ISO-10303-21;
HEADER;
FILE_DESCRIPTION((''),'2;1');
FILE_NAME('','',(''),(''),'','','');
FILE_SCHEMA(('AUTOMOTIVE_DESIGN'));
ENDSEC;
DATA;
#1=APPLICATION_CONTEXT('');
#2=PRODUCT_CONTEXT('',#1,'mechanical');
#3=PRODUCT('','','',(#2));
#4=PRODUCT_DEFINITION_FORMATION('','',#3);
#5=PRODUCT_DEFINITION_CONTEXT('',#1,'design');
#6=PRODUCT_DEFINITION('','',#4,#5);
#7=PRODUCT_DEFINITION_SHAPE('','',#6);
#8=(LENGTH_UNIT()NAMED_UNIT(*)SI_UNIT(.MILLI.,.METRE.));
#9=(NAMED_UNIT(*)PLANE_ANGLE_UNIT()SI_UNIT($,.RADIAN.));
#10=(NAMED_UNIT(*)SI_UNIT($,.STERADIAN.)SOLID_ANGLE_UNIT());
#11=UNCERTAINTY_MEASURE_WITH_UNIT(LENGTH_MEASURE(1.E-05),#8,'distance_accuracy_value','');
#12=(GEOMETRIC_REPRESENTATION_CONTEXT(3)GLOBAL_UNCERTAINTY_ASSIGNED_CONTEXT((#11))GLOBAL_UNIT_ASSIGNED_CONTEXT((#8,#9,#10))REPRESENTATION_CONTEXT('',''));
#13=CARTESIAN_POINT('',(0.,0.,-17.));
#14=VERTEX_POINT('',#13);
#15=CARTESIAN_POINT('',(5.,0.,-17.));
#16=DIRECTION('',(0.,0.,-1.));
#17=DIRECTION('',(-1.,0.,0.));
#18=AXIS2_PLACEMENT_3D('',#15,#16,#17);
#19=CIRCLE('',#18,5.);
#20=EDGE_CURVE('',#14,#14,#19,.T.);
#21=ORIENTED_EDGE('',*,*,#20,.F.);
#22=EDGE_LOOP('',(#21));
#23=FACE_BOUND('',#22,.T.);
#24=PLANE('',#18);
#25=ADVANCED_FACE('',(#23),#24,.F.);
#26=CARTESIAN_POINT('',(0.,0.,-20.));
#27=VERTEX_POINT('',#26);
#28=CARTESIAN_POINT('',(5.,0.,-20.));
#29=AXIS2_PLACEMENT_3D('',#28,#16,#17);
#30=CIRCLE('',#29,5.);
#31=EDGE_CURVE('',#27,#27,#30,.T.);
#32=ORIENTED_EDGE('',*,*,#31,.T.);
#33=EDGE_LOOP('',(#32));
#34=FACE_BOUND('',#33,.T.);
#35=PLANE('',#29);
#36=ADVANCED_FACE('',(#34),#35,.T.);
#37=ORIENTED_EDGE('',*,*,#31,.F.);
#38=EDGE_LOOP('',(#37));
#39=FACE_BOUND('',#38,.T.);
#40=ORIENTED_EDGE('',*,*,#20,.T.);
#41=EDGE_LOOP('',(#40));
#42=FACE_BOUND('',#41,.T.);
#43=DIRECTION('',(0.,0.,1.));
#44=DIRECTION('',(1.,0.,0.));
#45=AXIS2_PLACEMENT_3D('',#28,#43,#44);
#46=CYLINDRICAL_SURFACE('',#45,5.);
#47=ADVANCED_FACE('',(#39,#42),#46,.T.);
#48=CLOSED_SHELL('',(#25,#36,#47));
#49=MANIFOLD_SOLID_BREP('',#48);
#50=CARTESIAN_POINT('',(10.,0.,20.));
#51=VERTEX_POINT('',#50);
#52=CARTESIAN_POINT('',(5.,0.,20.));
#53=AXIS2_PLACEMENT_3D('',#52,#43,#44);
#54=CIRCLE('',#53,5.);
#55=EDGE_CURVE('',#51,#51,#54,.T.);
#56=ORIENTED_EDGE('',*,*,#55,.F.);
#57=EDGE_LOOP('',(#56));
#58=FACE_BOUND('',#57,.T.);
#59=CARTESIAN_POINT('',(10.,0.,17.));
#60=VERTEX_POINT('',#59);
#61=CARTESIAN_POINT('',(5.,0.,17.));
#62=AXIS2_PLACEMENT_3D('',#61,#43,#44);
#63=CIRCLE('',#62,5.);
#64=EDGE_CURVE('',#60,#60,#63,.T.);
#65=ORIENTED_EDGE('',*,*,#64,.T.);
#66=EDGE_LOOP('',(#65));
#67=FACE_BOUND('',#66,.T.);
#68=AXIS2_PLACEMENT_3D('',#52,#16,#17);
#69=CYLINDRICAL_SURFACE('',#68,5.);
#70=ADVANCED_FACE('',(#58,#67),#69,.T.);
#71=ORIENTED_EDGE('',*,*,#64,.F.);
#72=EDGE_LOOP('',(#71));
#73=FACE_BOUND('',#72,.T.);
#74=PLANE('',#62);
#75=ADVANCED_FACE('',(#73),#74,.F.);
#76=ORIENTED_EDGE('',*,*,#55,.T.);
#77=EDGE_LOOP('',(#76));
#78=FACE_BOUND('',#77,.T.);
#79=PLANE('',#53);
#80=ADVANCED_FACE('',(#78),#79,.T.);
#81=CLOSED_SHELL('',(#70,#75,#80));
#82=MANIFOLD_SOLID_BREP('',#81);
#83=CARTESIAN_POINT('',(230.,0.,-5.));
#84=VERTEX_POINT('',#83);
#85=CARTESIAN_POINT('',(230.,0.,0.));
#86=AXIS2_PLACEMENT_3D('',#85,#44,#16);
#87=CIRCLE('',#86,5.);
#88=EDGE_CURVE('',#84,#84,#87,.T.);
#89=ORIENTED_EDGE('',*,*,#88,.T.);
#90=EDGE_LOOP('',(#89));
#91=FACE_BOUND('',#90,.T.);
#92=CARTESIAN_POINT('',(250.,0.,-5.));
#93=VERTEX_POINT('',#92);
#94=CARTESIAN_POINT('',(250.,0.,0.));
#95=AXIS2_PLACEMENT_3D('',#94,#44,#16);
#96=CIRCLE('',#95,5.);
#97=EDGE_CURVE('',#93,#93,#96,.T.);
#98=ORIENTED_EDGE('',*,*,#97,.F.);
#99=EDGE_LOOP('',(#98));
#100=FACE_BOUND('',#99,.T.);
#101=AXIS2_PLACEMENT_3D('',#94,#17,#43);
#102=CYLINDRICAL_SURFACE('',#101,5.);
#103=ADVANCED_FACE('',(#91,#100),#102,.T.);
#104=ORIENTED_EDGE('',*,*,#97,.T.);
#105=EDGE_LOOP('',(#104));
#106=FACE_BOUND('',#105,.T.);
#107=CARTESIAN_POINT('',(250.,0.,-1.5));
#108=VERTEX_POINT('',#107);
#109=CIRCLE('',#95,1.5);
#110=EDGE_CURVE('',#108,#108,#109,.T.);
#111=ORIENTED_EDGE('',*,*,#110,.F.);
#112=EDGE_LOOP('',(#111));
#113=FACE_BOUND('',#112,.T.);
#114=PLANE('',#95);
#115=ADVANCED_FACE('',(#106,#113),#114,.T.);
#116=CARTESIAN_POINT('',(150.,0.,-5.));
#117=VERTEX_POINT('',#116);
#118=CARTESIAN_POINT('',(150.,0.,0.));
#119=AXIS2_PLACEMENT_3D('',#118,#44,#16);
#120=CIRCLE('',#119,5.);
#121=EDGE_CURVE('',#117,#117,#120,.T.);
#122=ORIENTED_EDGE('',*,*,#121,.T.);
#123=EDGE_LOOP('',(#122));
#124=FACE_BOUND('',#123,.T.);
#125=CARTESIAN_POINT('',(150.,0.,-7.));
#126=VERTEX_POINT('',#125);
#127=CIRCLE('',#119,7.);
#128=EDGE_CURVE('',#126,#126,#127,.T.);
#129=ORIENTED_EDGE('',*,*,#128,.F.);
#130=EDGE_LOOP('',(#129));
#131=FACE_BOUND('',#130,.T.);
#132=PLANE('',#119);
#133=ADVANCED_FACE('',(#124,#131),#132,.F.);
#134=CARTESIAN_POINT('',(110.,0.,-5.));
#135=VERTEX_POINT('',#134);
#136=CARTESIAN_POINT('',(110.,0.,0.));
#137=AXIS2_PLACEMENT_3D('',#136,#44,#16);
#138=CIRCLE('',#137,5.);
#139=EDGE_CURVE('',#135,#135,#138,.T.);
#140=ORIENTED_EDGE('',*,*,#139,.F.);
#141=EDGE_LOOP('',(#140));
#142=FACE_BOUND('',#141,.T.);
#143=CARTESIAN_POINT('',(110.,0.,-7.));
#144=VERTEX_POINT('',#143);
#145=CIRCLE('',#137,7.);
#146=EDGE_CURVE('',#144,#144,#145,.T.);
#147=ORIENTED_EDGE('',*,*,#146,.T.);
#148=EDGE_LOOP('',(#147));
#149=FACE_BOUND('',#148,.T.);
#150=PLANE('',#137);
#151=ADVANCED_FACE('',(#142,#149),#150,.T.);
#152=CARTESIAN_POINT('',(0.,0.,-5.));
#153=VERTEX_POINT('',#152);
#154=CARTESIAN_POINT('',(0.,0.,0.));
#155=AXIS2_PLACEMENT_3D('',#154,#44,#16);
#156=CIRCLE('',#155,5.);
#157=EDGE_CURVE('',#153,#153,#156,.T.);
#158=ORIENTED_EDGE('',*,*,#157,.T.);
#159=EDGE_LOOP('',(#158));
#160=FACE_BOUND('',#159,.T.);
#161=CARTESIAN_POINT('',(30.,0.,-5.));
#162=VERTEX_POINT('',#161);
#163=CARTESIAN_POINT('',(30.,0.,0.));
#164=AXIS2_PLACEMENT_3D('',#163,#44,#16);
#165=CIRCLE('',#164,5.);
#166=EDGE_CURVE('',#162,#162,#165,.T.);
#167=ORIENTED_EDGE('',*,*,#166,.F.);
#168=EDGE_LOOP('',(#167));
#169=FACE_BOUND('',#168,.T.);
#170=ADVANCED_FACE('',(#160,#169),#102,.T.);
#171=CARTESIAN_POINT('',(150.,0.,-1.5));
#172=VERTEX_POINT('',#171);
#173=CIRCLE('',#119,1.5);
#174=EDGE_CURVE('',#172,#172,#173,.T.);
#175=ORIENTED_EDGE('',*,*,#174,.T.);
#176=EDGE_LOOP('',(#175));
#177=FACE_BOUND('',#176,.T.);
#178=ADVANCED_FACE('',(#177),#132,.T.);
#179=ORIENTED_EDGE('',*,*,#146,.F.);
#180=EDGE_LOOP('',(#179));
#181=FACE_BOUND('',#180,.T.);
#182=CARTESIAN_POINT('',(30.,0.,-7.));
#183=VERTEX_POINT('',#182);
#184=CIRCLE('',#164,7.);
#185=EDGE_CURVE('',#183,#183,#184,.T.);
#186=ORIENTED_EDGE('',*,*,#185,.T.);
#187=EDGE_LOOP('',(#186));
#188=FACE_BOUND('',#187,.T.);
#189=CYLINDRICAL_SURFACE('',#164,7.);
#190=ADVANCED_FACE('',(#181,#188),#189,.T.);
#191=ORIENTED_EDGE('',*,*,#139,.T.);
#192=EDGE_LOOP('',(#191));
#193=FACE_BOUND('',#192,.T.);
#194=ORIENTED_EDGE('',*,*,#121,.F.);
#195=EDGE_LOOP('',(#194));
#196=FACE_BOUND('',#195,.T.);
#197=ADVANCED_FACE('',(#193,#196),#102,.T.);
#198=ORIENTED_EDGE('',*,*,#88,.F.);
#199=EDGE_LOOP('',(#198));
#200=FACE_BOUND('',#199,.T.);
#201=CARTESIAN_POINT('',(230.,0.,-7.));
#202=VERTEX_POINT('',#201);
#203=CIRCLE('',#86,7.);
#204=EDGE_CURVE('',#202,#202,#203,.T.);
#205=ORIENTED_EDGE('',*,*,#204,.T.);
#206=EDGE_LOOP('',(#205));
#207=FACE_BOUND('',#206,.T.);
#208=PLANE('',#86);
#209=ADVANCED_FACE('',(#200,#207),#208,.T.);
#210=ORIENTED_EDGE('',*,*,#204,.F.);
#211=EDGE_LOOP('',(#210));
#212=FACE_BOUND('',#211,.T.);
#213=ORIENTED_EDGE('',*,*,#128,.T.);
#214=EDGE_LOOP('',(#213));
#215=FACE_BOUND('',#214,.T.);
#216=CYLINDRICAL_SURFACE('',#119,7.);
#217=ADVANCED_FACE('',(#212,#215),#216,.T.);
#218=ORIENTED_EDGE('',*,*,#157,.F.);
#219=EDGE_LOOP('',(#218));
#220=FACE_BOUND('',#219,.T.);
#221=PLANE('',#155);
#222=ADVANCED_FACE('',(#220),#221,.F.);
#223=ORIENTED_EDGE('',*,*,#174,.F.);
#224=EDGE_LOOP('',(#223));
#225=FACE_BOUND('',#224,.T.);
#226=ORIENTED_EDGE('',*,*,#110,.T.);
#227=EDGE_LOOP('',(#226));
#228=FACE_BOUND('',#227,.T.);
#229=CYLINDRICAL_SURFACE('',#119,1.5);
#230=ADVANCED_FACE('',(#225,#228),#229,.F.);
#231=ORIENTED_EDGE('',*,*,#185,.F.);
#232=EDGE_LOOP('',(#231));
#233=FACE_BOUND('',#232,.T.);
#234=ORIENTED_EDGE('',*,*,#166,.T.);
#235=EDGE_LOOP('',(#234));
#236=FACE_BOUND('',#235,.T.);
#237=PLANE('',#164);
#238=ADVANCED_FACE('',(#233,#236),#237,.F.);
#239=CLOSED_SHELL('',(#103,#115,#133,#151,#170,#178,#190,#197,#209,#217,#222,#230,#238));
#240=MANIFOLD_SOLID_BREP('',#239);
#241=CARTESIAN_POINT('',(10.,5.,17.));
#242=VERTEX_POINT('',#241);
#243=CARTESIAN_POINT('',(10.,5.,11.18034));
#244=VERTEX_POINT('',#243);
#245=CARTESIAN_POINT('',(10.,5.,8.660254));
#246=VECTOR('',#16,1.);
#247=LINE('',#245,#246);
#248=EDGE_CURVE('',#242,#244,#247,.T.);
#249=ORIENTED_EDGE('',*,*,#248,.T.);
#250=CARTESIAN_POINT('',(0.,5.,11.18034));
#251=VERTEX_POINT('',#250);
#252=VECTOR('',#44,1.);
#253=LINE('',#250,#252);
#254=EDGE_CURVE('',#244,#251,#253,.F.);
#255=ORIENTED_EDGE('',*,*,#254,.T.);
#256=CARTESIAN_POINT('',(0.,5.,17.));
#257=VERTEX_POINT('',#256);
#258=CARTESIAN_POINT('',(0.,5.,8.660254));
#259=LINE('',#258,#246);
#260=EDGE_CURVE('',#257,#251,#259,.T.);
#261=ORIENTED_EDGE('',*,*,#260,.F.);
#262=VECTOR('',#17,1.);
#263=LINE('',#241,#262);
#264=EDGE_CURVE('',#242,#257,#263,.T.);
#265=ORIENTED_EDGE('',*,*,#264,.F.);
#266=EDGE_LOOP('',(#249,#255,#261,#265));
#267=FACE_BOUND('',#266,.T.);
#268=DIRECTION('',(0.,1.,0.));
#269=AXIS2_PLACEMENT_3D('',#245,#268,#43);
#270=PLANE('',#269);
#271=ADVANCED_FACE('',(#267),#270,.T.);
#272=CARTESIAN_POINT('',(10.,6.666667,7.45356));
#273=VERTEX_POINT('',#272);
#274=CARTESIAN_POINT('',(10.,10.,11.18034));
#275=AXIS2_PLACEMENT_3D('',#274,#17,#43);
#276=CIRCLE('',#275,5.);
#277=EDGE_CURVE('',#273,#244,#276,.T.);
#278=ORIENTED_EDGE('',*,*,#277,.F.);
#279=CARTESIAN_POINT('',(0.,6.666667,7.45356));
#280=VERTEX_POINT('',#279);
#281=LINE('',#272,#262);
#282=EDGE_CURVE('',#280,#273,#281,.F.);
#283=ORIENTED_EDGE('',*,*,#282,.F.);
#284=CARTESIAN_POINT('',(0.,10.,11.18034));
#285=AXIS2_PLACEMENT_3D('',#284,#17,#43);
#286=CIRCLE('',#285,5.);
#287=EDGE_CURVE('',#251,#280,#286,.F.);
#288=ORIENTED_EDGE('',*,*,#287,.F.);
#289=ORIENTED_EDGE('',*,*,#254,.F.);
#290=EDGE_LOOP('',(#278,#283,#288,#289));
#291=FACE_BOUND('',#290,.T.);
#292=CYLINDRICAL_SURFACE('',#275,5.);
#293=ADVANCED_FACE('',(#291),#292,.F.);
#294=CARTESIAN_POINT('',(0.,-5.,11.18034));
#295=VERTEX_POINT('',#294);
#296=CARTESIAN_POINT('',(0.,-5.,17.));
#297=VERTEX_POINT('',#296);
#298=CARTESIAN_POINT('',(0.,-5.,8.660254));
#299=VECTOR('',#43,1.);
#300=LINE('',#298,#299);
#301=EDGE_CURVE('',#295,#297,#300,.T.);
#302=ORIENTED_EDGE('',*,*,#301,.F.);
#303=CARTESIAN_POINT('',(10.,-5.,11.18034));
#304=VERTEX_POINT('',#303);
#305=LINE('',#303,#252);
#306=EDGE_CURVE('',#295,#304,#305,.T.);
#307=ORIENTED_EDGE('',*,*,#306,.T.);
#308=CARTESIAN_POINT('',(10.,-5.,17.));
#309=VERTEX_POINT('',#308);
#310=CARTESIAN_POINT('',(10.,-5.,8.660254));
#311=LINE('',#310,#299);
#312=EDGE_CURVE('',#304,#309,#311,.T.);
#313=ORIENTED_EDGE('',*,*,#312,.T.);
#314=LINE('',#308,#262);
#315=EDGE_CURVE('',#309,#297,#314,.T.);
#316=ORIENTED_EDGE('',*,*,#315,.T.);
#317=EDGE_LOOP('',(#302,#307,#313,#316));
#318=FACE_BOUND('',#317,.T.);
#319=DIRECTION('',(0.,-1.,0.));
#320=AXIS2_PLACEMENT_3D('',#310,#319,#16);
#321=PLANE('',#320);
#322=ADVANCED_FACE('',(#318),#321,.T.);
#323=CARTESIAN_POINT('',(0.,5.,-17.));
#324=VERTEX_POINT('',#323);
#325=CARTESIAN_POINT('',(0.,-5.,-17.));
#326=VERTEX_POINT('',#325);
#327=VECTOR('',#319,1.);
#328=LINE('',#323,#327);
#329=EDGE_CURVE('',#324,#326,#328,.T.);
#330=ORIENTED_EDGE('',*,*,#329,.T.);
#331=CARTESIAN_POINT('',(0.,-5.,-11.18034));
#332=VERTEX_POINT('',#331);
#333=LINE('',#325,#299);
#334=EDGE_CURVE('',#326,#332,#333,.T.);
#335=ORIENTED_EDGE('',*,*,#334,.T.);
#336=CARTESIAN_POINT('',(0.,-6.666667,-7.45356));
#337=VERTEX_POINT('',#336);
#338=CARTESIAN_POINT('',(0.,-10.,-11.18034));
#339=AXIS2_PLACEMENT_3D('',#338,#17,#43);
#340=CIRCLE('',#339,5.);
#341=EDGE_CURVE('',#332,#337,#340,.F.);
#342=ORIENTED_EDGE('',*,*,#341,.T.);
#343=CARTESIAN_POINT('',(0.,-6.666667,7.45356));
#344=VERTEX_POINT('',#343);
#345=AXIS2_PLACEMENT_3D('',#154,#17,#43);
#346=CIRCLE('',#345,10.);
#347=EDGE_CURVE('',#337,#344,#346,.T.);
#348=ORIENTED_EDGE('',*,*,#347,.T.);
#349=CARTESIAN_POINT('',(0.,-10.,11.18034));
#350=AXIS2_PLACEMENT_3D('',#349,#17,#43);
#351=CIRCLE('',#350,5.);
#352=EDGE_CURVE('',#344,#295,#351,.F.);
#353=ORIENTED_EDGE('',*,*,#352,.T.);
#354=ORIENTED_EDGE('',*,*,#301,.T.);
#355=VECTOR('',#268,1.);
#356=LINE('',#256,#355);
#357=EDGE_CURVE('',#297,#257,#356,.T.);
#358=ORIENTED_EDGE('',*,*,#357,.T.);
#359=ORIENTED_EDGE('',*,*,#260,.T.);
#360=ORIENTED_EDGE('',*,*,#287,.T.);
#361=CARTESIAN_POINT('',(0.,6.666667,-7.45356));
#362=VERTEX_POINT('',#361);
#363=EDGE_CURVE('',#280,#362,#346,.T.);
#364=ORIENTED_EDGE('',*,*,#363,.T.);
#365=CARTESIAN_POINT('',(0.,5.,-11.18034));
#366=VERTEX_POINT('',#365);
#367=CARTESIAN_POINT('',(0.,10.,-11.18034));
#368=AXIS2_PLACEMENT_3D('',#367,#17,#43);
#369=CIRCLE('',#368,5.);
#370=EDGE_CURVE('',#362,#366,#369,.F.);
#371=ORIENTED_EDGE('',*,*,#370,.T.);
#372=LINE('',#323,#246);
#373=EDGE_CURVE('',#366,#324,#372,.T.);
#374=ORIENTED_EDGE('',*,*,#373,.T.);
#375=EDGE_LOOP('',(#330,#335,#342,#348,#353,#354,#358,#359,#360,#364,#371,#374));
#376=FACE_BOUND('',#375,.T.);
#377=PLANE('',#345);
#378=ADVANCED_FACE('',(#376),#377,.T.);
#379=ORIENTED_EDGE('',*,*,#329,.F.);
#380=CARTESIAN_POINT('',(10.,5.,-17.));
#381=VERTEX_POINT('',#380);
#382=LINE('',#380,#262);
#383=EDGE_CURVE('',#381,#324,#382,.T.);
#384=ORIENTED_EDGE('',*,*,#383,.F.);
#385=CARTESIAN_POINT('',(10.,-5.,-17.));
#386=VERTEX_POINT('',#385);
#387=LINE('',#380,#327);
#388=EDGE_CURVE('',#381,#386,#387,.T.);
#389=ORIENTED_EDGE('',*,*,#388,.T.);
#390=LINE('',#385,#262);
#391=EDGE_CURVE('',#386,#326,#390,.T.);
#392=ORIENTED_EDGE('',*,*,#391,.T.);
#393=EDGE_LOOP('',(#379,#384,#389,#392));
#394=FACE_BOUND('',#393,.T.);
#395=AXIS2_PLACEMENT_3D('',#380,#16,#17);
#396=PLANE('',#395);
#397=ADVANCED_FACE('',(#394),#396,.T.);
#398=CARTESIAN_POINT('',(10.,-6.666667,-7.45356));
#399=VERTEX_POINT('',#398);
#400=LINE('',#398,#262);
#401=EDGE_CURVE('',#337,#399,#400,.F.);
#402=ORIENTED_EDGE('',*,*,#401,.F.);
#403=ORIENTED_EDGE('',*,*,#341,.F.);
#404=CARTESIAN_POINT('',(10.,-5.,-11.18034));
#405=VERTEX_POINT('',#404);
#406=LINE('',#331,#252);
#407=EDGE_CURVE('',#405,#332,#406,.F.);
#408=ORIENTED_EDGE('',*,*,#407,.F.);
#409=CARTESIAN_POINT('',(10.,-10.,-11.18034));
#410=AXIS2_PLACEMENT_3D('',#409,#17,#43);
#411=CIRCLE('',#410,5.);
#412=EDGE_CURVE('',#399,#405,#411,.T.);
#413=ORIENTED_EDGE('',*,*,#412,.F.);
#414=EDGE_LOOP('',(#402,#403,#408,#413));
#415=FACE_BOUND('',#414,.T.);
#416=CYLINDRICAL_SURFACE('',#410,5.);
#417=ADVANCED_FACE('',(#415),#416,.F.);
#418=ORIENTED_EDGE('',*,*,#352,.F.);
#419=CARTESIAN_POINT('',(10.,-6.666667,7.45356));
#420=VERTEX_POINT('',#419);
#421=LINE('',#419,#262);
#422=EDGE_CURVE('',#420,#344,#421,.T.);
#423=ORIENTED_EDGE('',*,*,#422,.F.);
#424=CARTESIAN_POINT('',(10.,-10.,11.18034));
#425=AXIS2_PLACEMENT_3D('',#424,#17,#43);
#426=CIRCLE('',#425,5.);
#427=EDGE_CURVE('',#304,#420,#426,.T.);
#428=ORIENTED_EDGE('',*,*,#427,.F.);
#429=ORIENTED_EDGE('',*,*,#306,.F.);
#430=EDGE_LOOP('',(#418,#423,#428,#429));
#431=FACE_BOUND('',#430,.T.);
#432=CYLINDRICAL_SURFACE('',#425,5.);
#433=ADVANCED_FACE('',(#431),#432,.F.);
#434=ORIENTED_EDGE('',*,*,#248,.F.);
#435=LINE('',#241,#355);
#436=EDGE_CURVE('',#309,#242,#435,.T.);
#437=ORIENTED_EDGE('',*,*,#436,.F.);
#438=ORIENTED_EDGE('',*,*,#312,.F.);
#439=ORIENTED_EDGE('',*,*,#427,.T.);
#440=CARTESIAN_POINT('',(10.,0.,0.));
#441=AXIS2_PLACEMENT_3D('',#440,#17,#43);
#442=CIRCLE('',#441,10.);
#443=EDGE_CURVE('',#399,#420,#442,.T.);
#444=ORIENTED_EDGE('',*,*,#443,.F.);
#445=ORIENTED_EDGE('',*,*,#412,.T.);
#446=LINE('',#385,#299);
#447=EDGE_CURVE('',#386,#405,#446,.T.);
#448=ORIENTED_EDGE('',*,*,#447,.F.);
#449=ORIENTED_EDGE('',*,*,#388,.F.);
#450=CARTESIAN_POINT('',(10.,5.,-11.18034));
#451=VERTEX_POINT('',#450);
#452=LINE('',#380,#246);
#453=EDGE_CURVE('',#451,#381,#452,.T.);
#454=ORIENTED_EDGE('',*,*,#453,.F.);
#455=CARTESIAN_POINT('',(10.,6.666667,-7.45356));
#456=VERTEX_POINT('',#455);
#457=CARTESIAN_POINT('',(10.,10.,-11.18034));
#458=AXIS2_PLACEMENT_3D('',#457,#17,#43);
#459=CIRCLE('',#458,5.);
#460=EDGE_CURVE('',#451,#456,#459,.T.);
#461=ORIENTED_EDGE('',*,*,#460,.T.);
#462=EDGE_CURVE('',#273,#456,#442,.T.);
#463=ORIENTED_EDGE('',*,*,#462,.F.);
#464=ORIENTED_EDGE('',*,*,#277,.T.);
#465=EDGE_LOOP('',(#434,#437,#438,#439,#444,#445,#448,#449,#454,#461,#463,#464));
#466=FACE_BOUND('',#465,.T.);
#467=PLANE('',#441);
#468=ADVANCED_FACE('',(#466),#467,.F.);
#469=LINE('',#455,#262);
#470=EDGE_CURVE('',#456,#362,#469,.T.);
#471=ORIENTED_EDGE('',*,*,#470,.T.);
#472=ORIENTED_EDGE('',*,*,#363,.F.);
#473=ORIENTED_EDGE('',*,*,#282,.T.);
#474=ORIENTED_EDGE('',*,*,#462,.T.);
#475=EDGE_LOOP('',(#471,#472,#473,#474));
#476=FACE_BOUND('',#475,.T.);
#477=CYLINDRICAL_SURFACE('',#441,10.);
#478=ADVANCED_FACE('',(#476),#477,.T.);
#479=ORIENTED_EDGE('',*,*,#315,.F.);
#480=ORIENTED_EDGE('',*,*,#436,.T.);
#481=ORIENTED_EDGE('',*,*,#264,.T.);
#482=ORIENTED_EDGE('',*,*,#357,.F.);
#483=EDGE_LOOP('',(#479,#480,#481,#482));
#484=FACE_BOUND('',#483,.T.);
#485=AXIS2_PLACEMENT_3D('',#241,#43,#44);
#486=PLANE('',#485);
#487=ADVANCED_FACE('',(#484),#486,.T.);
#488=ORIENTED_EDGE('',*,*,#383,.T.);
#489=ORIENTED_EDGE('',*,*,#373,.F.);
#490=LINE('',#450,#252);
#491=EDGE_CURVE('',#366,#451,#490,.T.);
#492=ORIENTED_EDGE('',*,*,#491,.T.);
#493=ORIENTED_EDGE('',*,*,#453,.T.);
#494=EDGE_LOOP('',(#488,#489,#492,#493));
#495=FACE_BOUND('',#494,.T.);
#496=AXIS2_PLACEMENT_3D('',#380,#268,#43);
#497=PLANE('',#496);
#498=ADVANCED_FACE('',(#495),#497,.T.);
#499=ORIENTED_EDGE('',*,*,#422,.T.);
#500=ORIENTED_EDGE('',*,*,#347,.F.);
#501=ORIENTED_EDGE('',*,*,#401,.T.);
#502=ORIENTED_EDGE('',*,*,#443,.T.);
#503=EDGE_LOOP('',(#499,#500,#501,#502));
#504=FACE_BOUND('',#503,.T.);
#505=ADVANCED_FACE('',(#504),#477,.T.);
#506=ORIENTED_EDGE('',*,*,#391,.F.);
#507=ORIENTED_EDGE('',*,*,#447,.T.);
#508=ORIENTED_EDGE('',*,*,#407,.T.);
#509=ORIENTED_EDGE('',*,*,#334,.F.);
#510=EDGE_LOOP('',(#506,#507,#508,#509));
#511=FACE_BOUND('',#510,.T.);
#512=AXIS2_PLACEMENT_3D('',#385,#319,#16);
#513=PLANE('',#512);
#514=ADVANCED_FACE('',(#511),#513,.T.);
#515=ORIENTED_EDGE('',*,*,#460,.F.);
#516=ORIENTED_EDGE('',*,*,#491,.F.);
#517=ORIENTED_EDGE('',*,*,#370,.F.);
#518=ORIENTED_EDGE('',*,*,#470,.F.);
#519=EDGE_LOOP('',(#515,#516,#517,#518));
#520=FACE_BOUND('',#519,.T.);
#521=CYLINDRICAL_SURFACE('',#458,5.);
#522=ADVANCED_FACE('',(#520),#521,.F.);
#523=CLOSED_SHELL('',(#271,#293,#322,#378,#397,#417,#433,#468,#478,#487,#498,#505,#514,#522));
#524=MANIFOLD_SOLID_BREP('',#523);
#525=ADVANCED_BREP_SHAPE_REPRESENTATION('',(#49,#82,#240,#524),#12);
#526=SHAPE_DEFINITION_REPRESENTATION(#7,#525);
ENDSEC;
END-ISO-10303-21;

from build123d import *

# Parameters (mm, degrees)
PRIMARY_TUBE_SKETCH_R      = 5
PRIMARY_TUBE_EXTRUDE_DEPTH = 250
THICK_START                = -20
THICK_TUBE_SKETCH_R        = 7
THICK_TUBE_EXTRUDE_1_DEPTH = 80
THICK_START_2              = -140
SKETCH1_2_R                = 7
THICK_TUBE_EXTRUDE_2_DEPTH = 80
PLUNGER_SKETCH_R           = 1.5
PLUNGER_CUT_DEPTH          = 100
T_SUPPORT_EXTRUDE_DEPTH    = 10
T_SUPPORT_FILLET_R         = 5
ARM_PIN_SKETCH_R           = 5
ARM_PIN_EXTRUDE_1_DEPTH    = 3
ARM_START                  = -34
ARM_PIN_SKETCH_2_R         = 5
ARM_PIN_EXTRUDE_2_DEPTH    = 3


with BuildPart() as part:
    # Primary Tube Sketch → Primary Tube Extrude (new body)
    with BuildSketch(Plane(origin=(0, 0, 0), x_dir=(0, 0, -1), z_dir=(1, 0, 0))):
        Circle(PRIMARY_TUBE_SKETCH_R)
    extrude(amount=PRIMARY_TUBE_EXTRUDE_DEPTH)

    # Thick Tube Sketch → Thick Tube Extrude 1 (add)
    with BuildSketch(Plane(origin=(250, 0, 0), x_dir=(0, 0, -1), z_dir=(1, 0, 0)).offset(THICK_START)):
        Circle(THICK_TUBE_SKETCH_R)
    extrude(amount=-THICK_TUBE_EXTRUDE_1_DEPTH)

    # Sketch1<2> → Thick Tube Extrude 2 (add)
    with BuildSketch(Plane(origin=(250, 0, 0), x_dir=(0, 0, -1), z_dir=(1, 0, 0)).offset(THICK_START_2)):
        Circle(SKETCH1_2_R)
    extrude(amount=-THICK_TUBE_EXTRUDE_2_DEPTH)

    # Plunger Sketch → Plunger Cut (cut)
    with BuildSketch(Plane(origin=(250, 0, 0), x_dir=(0, 0, -1), z_dir=(1, 0, 0))):
        Circle(PLUNGER_SKETCH_R)
    extrude(amount=-PLUNGER_CUT_DEPTH, mode=Mode.SUBTRACT)


with BuildPart() as body_2:
    # T Support Sketch → T Support Extrude (new body)
    with BuildSketch(Plane.ZY):
        with BuildLine():
            Line((8.660254038, 5), (17, 5))
            Line((17, 5), (17, -5))
            Line((17, -5), (8.660254038, -5))
            ThreePointArc((8.660254038, -5), (0, -10), (-8.660254038, -5))
            Line((-8.660254038, -5), (-17, -5))
            Line((-17, -5), (-17, 5))
            Line((-17, 5), (-8.660254038, 5))
            ThreePointArc((-8.660254038, 5), (0, 10), (8.660254038, 5))
        make_face()
    extrude(amount=-T_SUPPORT_EXTRUDE_DEPTH)

    # T Support Fillet
    t_support_fillet_edges = [body_2.edges().sort_by_distance(p)[0] for p in [
        (5, -5, 8.660254038),
        (5, -5, -8.660254038),
        (5, 5, -8.660254038),
        (5, 5, 8.660254038),
    ]]
    fillet(t_support_fillet_edges, radius=T_SUPPORT_FILLET_R)


with BuildPart() as body_3:
    # Arm Pin Sketch → Arm Pin Extrude 1 (new body)
    with BuildSketch(Plane.XY.offset(17)):
        with Locations((5, 0)):
            Circle(ARM_PIN_SKETCH_R)
    extrude(amount=ARM_PIN_EXTRUDE_1_DEPTH)


with BuildPart() as body_4:
    # Arm Pin Sketch<2> → Arm Pin Extrude 2 (new body)
    with BuildSketch(Plane.XY.offset(17).offset(ARM_START)):
        with Locations(Location((5, 0, 0), (0, 0, 180))):
            Circle(ARM_PIN_SKETCH_2_R)
    extrude(amount=-ARM_PIN_EXTRUDE_2_DEPTH)


solid = Compound([part.part, body_2.part, body_3.part, body_4.part])
